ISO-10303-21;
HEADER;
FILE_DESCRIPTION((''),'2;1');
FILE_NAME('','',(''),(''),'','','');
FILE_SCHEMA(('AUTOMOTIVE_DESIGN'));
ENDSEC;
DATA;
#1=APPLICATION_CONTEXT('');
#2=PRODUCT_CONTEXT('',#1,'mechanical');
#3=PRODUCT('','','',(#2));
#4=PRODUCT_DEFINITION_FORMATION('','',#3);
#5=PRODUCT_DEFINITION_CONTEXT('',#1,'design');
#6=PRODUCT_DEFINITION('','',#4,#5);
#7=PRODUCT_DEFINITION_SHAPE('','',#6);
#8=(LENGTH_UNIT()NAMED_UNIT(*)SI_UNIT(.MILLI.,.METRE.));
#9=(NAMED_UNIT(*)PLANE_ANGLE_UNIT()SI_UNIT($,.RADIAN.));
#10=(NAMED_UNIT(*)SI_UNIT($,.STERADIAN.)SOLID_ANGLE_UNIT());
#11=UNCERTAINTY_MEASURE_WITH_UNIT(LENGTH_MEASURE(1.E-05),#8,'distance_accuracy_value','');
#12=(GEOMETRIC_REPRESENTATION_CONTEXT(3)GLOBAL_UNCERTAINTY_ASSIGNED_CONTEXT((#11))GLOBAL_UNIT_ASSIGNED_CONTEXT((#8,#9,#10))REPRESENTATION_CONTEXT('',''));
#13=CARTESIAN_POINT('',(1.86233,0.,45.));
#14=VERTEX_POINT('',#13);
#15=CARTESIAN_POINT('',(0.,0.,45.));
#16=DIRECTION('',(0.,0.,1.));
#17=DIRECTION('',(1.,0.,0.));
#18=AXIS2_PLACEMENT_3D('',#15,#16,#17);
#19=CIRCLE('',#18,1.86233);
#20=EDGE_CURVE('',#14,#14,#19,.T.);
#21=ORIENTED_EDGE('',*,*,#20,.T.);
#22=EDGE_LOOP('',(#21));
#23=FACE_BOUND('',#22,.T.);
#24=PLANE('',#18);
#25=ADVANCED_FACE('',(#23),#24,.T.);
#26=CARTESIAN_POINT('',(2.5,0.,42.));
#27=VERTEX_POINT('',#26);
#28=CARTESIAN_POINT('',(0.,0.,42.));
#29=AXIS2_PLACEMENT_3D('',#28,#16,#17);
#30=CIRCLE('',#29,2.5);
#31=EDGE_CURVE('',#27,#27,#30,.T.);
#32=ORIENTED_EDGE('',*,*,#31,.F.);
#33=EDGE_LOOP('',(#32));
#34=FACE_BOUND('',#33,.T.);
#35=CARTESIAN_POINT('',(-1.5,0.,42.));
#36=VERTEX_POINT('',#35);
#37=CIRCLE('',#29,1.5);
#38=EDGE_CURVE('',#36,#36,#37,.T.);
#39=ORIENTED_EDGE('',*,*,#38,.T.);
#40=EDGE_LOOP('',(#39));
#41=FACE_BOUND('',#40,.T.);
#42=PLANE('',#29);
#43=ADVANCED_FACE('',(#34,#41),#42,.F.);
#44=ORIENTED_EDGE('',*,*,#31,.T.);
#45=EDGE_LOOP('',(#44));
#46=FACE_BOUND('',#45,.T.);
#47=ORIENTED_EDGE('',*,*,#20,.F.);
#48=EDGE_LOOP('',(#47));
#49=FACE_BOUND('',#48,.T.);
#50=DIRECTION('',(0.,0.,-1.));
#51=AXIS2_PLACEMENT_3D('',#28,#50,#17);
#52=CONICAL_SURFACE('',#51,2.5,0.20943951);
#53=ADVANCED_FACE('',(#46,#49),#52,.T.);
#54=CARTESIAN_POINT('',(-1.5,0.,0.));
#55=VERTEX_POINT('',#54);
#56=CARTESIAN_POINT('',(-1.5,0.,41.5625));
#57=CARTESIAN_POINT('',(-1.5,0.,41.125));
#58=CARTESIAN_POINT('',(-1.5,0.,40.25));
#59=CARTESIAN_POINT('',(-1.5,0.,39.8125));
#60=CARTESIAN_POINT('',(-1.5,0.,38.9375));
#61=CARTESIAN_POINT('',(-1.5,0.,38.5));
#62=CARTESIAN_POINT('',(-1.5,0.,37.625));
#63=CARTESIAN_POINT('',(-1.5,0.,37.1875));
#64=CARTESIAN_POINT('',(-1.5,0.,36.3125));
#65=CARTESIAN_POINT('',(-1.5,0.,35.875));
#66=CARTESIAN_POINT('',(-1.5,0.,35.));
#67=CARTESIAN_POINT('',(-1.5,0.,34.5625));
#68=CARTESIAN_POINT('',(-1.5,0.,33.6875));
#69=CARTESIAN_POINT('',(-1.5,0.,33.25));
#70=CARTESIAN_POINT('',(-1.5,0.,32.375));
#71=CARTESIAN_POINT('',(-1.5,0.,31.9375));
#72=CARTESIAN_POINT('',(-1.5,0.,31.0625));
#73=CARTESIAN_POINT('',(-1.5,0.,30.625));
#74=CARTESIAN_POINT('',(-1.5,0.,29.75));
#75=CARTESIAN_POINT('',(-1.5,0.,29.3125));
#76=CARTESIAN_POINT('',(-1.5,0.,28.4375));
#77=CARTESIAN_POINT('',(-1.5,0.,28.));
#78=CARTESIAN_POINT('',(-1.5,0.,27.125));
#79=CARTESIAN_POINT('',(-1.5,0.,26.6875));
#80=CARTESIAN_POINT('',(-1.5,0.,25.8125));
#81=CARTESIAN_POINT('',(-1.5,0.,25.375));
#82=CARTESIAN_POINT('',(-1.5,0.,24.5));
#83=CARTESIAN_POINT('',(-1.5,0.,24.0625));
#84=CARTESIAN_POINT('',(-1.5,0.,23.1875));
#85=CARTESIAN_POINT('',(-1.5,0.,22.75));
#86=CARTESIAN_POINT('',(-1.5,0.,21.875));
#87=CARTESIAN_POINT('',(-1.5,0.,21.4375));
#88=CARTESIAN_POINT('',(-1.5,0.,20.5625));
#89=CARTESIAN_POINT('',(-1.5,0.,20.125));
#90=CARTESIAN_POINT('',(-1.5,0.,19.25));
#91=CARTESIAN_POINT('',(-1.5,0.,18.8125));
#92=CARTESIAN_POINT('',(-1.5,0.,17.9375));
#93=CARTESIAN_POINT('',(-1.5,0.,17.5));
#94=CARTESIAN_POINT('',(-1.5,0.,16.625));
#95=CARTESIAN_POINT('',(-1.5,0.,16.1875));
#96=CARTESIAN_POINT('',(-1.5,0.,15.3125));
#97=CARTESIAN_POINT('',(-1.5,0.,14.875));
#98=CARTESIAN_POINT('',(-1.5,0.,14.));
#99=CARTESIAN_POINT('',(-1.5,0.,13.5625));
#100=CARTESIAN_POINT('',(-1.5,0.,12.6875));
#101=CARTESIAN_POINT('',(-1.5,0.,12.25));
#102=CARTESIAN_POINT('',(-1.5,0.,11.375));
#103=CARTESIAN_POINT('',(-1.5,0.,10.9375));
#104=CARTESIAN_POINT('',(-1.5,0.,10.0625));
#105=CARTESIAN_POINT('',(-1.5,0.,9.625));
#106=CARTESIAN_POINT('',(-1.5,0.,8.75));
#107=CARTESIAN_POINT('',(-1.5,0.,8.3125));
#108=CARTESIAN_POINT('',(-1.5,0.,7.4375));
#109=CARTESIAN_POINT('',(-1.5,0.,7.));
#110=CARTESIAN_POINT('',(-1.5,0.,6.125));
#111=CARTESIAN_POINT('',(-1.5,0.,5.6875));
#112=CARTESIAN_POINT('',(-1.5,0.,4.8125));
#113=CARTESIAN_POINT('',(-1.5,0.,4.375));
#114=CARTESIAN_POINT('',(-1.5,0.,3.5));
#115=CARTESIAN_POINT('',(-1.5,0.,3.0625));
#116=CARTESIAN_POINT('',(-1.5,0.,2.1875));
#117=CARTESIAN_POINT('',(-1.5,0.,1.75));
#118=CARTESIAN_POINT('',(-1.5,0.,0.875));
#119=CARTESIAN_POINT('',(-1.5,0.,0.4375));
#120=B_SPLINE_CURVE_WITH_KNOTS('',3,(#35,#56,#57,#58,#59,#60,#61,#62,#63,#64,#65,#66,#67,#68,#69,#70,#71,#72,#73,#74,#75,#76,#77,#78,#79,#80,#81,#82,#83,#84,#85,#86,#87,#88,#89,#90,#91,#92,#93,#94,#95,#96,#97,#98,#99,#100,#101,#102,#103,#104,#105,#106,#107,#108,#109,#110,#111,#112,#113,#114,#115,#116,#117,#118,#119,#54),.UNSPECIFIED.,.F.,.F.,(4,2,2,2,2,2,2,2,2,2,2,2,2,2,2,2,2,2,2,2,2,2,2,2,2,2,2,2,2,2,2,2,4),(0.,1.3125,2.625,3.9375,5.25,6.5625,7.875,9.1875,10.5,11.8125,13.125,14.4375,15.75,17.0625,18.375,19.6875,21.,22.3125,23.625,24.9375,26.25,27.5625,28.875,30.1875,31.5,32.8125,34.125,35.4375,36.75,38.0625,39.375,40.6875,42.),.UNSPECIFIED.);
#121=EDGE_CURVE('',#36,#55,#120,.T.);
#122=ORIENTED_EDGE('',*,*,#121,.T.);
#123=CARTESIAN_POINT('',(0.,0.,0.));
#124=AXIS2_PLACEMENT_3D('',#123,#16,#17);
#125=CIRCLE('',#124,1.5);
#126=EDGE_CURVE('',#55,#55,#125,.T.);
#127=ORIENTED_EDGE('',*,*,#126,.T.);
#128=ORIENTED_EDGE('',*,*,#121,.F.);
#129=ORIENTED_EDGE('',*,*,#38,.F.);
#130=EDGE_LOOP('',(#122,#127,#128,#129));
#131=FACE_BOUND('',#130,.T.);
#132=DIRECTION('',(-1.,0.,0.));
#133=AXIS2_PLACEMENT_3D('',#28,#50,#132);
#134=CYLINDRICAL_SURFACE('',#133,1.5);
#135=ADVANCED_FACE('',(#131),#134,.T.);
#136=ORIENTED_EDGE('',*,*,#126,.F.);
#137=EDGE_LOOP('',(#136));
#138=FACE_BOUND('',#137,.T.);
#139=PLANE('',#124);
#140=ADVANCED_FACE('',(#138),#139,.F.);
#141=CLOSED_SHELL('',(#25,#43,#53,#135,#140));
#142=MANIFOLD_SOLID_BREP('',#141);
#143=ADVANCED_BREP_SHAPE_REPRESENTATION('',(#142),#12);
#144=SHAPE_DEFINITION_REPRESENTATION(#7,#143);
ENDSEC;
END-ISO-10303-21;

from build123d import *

# Parameters (mm, degrees)
ESQUISSE1_R        = 1.5
BOSS_EXTRU_1_DEPTH = 42
ESQUISSE2_R        = 2.5
BOSS_EXTRU_2_DEPTH = 3
BOSS_EXTRU_2_TAPER = 12


with BuildPart() as part:
    # Esquisse1 → Boss.-Extru.1 (new body)
    with BuildSketch(Plane.XY):
        with Locations(Location((0, 0, 0), (0, 0, 180))):
            Circle(ESQUISSE1_R)
    extrude(amount=BOSS_EXTRU_1_DEPTH)

    # Esquisse2 → Boss.-Extru.2 (add)
    with BuildSketch(Plane.XY.offset(42)):
        Circle(ESQUISSE2_R)
    extrude(amount=BOSS_EXTRU_2_DEPTH, taper=BOSS_EXTRU_2_TAPER)


solid = part.part
